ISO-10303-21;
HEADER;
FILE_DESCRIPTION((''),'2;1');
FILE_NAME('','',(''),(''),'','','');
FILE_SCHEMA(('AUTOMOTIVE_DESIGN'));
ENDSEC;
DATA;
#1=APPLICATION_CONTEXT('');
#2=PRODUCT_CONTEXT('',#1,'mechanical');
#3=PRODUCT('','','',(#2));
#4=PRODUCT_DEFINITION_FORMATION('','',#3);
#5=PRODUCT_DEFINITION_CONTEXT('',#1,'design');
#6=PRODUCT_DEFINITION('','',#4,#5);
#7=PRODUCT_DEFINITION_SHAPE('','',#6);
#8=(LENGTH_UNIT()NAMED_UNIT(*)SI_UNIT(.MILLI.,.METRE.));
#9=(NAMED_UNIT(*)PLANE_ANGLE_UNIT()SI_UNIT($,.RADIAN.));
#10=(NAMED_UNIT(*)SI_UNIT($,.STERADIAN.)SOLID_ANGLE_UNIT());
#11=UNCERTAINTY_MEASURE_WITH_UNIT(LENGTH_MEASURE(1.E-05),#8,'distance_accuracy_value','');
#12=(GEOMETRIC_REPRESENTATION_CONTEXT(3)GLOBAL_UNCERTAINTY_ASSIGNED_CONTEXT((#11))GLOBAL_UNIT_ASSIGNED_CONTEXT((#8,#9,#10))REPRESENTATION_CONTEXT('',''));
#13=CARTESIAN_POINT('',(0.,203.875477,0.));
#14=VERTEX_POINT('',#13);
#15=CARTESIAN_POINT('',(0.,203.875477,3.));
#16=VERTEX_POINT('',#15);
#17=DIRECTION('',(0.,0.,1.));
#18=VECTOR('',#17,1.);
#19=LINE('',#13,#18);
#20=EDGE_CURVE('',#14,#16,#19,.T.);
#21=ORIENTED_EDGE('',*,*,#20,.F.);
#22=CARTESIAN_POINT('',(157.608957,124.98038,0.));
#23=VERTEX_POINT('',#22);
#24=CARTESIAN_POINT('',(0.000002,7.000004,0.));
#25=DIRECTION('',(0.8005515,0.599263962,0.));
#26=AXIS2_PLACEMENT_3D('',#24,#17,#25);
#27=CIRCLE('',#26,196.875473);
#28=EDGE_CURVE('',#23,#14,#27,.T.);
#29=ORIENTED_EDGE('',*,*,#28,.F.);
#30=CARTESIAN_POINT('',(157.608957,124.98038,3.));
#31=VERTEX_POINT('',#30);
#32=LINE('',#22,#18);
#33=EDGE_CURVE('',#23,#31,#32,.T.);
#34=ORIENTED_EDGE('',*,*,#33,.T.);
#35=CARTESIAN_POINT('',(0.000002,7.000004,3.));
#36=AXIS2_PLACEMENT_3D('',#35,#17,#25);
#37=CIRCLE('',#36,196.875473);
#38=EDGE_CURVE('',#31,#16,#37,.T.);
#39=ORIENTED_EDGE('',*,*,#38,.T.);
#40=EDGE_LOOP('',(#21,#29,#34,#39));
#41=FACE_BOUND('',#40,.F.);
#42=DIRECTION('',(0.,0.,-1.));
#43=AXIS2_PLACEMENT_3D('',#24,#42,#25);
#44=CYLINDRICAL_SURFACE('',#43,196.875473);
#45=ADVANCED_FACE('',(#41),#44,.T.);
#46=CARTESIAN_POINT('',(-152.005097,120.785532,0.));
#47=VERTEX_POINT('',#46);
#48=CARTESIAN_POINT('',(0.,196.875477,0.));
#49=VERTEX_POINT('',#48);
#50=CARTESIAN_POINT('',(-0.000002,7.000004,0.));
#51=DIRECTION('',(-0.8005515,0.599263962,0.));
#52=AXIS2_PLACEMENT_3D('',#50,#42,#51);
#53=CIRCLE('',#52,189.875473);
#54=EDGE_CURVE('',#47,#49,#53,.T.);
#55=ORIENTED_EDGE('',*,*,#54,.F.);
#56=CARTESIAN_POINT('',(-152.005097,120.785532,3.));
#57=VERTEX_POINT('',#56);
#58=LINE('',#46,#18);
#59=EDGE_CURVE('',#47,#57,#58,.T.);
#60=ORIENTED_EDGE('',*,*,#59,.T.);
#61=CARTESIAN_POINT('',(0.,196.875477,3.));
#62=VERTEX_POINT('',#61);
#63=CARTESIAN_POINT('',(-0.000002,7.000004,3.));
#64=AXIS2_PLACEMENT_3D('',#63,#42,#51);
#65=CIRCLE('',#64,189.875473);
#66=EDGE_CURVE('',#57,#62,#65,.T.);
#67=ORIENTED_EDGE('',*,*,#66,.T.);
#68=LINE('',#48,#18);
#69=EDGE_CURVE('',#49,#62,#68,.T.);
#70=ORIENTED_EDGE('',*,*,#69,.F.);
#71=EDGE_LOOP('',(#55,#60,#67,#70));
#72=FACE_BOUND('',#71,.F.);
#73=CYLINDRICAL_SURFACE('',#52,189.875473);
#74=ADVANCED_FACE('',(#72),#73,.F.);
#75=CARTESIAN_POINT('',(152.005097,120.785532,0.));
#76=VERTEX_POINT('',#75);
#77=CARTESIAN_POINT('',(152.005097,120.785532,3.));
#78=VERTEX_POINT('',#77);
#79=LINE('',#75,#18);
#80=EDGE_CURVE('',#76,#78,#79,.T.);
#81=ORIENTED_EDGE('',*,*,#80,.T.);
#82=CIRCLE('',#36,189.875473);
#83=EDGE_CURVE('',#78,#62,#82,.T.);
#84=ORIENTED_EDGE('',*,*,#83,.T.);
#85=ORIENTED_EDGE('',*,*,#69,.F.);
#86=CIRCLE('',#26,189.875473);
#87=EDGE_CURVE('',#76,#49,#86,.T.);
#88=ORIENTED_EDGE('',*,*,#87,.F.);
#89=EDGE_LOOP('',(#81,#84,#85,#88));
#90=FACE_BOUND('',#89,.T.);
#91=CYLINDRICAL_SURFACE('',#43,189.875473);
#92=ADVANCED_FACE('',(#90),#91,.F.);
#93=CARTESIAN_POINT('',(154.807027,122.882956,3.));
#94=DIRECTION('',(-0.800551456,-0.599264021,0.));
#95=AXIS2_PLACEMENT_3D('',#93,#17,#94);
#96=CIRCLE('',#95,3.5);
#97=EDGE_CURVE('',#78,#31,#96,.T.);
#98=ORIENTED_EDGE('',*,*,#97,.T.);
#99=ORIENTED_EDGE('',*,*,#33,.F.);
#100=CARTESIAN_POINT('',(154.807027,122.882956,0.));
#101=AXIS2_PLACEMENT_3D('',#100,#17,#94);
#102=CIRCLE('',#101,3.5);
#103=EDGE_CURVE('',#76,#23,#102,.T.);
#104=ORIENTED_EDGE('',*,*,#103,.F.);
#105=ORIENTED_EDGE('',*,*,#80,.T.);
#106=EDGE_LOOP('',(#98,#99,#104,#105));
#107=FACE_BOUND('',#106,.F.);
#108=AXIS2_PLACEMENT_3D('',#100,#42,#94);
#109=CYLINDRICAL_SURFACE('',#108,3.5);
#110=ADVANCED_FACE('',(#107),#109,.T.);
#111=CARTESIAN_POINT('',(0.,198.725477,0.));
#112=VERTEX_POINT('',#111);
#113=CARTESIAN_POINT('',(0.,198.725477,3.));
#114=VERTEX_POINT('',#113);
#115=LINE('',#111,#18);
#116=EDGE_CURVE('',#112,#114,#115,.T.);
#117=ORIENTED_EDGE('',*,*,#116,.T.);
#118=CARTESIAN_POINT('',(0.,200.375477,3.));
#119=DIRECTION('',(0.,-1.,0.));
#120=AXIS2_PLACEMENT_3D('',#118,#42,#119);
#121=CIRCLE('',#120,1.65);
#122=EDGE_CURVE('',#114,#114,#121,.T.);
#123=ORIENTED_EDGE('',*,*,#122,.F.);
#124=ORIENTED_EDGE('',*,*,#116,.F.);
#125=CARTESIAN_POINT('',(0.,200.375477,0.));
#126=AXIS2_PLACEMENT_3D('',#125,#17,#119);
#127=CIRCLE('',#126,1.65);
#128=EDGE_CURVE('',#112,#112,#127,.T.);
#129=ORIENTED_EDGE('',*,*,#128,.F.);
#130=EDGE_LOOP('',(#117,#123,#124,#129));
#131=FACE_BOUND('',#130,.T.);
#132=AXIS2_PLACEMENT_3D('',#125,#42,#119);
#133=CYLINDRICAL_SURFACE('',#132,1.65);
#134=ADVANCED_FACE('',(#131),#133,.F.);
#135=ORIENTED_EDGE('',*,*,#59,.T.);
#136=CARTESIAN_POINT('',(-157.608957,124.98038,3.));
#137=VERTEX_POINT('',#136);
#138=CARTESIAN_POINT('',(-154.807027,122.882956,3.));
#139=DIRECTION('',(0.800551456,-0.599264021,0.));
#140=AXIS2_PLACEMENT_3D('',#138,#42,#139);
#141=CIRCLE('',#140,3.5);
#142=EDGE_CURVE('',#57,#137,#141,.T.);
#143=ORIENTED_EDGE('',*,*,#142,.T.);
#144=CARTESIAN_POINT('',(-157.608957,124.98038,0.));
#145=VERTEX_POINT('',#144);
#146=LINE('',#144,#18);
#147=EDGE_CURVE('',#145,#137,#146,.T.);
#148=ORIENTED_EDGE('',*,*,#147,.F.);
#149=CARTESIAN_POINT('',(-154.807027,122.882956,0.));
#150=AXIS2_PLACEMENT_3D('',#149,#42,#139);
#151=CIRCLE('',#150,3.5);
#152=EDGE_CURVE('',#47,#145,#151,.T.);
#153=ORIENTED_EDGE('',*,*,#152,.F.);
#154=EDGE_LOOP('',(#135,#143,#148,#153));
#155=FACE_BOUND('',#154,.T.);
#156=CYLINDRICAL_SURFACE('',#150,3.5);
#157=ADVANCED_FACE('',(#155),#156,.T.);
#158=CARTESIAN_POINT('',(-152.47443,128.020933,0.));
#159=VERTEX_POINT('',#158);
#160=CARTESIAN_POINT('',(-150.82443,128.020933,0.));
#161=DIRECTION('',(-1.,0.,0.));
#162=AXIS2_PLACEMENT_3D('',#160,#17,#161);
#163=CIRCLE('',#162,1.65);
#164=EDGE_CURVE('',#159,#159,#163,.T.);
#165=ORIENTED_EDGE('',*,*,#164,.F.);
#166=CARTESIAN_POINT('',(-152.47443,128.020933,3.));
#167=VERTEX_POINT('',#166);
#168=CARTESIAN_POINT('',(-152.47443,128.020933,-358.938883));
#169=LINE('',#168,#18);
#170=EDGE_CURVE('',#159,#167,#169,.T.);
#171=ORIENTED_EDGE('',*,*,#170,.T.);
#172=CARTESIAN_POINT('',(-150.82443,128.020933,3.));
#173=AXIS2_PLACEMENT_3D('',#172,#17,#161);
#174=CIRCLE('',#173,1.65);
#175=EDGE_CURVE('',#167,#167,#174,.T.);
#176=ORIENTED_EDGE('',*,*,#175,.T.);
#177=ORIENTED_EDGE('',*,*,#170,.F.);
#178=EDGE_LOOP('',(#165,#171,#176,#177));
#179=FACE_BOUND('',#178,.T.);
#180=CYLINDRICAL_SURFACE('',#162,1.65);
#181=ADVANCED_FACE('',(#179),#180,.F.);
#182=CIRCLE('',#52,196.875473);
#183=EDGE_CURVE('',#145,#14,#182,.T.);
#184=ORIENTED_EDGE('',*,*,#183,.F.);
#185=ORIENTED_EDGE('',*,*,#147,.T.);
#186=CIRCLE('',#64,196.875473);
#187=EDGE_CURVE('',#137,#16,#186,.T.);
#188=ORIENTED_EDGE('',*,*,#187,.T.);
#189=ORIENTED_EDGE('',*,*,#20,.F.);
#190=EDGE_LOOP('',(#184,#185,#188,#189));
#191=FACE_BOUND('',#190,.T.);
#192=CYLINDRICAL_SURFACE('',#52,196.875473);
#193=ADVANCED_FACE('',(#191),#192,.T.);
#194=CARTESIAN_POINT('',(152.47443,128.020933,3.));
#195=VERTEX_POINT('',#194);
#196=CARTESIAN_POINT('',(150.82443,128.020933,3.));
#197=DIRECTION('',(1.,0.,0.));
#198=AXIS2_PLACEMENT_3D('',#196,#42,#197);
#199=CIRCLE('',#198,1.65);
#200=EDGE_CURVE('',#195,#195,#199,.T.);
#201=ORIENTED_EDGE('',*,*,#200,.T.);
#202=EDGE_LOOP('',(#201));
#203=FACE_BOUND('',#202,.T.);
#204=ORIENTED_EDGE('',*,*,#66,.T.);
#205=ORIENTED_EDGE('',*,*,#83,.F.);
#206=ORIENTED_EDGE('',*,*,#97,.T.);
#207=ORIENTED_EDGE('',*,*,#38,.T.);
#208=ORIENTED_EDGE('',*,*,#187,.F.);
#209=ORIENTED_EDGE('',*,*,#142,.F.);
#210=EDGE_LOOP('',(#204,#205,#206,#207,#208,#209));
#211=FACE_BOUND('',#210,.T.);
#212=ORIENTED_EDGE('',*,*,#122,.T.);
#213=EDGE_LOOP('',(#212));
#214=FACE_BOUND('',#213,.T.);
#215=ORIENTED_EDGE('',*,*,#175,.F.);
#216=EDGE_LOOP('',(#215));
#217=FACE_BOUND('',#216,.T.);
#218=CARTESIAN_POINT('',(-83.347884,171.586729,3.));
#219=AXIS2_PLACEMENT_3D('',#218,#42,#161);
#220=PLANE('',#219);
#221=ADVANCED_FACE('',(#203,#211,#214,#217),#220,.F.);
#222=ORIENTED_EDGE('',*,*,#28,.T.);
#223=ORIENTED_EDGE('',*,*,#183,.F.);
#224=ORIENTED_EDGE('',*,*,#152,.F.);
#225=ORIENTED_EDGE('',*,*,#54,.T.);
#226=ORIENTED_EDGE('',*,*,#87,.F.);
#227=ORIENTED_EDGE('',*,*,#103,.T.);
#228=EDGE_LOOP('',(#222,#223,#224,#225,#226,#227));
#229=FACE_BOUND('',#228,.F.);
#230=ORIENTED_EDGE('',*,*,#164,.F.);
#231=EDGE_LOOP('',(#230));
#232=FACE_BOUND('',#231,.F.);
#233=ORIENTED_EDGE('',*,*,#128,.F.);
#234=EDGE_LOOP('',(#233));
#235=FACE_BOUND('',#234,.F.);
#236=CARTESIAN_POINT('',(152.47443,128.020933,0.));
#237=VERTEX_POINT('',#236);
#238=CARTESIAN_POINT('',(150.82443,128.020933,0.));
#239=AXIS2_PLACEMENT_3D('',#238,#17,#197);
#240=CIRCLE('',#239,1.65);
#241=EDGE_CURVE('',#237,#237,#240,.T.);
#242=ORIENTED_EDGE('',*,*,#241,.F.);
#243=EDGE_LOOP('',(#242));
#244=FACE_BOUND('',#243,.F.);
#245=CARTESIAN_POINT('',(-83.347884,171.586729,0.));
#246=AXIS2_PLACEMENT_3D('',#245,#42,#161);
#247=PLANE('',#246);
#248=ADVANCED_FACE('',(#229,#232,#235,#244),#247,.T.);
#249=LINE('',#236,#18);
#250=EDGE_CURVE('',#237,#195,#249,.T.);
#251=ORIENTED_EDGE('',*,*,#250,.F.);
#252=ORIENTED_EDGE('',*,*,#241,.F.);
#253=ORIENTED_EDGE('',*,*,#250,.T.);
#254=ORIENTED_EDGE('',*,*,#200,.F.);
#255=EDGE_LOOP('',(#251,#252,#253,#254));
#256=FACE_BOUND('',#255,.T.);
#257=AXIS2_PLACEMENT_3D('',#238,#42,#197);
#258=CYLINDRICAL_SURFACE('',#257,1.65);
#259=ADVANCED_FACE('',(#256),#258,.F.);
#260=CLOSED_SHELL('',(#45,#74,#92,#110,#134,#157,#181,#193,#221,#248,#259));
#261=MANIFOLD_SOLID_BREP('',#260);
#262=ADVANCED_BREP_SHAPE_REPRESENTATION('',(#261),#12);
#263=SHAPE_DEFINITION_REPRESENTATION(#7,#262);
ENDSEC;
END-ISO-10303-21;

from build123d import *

# Parameters (mm, degrees)
PAD015_DEPTH                        = 3
SKETCH054_R                         = 1.65
POCKET018_DEPTH                     = 358.938883
POCKET018_DEPTH_BACK                = 361.938883
BODY001003005003004_PLACEMENT_ANGLE = 60
CLONE025_PLACEMENT_ANGLE            = 60


with BuildPart() as part:
    # Sketch053 → Pad015 (new body)
    with BuildSketch(Plane.XY):
        with BuildLine():
            ThreePointArc((152.005097, 113.785532), (84.992984, 169.790723), (0, 189.875477))
            Line((0, 189.875477), (0, 196.875477))
            ThreePointArc((157.608957, 117.98038), (88.126358, 176.050273), (0, 196.875477))
            ThreePointArc((152.005097, 113.785532), (156.904451, 113.081026), (157.608957, 117.98038))
        make_face()
    pad015 = extrude(amount=PAD015_DEPTH)

    # Sketch054 → Pocket018 (cut, two sides)
    with BuildSketch(Plane.XY) as pocket018_sk:
        with Locations((150.82443, 121.020933)):
            Circle(SKETCH054_R)
        with BuildLine():
            ThreePointArc((0, 191.725477), (1.65, 193.375477), (0, 195.025477))
            Line((0, 191.725477), (0, 195.025477))
        make_face()
    pocket018 = extrude(amount=-POCKET018_DEPTH, mode=Mode.SUBTRACT) + extrude(pocket018_sk.sketch, amount=POCKET018_DEPTH_BACK, mode=Mode.SUBTRACT)

    # Mirrored020: Pad015, Pocket018 across Sketch053 V_Axis
    add(pad015.mirror(Plane(origin=(0, 0, 0), x_dir=(0, 0, 1), z_dir=(1, 0, 0))))
    add(pocket018.mirror(Plane(origin=(0, 0, 0), x_dir=(0, 0, 1), z_dir=(1, 0, 0))), mode=Mode.SUBTRACT)


with BuildPart() as part_1:
    # Body001003005003004 placement: moved
    add(part.part.rotate(Axis((0, 0, 0), (0, 0, 1)), BODY001003005003004_PLACEMENT_ANGLE))


with BuildPart() as part_2:
    # Clone025 placement: moved
    add(part_1.part.moved(Location((0, 7, 0))).rotate(Axis((0, 7, 0), (0, 0, -1)), CLONE025_PLACEMENT_ANGLE))


solid = part_2.part
